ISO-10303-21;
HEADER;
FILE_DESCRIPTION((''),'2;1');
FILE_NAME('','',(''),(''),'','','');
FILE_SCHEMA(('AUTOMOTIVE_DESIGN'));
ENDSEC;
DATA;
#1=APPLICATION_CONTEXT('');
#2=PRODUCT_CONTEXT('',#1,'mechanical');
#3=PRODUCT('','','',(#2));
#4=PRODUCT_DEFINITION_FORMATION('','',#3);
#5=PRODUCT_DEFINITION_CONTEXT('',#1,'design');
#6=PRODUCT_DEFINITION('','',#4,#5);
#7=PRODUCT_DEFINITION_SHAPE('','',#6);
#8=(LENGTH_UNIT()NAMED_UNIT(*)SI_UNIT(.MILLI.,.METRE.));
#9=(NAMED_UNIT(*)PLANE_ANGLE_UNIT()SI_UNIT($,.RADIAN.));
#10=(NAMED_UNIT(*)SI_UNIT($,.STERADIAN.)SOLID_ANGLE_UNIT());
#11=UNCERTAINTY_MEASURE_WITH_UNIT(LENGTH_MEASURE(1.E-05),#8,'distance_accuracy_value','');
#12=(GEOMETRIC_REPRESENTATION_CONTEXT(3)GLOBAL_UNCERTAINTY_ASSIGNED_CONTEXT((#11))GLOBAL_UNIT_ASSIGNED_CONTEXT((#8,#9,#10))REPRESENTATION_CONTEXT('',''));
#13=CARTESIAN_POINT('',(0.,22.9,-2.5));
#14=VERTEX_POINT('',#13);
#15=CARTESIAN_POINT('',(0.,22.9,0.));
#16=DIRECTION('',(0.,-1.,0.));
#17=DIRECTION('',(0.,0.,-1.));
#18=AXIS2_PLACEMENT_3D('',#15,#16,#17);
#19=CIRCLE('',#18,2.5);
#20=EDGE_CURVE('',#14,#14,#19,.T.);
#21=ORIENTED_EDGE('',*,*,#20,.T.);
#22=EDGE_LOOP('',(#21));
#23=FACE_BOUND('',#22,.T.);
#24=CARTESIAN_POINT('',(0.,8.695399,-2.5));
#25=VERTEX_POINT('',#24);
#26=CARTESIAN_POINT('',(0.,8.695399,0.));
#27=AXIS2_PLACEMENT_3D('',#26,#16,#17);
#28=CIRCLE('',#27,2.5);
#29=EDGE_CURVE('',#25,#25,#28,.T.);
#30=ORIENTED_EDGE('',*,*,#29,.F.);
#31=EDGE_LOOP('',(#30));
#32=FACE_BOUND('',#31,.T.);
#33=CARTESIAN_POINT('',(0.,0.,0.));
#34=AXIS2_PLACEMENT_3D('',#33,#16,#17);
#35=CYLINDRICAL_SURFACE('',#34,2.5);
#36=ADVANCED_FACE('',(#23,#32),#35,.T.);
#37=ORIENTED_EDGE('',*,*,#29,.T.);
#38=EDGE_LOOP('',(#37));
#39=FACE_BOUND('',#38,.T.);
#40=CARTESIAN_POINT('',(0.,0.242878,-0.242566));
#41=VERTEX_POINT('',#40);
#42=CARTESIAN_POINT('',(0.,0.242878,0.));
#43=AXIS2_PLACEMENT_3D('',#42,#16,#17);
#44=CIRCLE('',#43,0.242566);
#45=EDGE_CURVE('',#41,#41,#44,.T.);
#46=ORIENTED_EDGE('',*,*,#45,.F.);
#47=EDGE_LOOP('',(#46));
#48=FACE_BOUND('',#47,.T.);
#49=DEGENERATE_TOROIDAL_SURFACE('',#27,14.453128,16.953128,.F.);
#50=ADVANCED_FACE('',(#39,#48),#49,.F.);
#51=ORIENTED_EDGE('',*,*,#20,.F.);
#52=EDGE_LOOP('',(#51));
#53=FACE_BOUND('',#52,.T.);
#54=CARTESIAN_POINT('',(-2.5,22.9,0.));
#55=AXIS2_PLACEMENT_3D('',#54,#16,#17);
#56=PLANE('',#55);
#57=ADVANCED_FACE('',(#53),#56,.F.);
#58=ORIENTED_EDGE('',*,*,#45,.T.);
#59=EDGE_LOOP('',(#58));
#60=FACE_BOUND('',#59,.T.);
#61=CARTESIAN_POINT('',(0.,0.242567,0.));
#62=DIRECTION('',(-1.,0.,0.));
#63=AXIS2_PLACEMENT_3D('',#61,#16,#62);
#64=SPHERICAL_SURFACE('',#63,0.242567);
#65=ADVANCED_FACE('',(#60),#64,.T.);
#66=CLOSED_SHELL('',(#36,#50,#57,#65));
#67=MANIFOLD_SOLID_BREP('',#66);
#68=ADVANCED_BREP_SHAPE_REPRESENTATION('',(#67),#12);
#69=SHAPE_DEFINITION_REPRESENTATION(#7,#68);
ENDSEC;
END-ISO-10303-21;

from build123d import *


with BuildPart() as part:
    # Sketch1 → Revolve1 (revolve)
    with BuildSketch(Plane.XY, mode=Mode.PRIVATE) as revolve1_sk:
        with BuildLine():
            Line((-2.5, 22.9), (-2.5, 8.695399038))
            ThreePointArc((-2.5, 8.695399038), (-1.925921675, 4.321009866), (-0.242566361, 0.242877764))
            ThreePointArc((-0.242566361, 0.242877764), (-0.171630452, 0.071156163), (0, 0))
            Line((0, 0), (0, 22.9))
            Line((0, 22.9), (-2.5, 22.9))
        make_face()
    revolve(revolve1_sk.sketch.rotate(Axis((0, 0, 0), (0, 1, 0)), 270), axis=Axis((0, 0, 0), (0, 1, 0)))


solid = part.part
